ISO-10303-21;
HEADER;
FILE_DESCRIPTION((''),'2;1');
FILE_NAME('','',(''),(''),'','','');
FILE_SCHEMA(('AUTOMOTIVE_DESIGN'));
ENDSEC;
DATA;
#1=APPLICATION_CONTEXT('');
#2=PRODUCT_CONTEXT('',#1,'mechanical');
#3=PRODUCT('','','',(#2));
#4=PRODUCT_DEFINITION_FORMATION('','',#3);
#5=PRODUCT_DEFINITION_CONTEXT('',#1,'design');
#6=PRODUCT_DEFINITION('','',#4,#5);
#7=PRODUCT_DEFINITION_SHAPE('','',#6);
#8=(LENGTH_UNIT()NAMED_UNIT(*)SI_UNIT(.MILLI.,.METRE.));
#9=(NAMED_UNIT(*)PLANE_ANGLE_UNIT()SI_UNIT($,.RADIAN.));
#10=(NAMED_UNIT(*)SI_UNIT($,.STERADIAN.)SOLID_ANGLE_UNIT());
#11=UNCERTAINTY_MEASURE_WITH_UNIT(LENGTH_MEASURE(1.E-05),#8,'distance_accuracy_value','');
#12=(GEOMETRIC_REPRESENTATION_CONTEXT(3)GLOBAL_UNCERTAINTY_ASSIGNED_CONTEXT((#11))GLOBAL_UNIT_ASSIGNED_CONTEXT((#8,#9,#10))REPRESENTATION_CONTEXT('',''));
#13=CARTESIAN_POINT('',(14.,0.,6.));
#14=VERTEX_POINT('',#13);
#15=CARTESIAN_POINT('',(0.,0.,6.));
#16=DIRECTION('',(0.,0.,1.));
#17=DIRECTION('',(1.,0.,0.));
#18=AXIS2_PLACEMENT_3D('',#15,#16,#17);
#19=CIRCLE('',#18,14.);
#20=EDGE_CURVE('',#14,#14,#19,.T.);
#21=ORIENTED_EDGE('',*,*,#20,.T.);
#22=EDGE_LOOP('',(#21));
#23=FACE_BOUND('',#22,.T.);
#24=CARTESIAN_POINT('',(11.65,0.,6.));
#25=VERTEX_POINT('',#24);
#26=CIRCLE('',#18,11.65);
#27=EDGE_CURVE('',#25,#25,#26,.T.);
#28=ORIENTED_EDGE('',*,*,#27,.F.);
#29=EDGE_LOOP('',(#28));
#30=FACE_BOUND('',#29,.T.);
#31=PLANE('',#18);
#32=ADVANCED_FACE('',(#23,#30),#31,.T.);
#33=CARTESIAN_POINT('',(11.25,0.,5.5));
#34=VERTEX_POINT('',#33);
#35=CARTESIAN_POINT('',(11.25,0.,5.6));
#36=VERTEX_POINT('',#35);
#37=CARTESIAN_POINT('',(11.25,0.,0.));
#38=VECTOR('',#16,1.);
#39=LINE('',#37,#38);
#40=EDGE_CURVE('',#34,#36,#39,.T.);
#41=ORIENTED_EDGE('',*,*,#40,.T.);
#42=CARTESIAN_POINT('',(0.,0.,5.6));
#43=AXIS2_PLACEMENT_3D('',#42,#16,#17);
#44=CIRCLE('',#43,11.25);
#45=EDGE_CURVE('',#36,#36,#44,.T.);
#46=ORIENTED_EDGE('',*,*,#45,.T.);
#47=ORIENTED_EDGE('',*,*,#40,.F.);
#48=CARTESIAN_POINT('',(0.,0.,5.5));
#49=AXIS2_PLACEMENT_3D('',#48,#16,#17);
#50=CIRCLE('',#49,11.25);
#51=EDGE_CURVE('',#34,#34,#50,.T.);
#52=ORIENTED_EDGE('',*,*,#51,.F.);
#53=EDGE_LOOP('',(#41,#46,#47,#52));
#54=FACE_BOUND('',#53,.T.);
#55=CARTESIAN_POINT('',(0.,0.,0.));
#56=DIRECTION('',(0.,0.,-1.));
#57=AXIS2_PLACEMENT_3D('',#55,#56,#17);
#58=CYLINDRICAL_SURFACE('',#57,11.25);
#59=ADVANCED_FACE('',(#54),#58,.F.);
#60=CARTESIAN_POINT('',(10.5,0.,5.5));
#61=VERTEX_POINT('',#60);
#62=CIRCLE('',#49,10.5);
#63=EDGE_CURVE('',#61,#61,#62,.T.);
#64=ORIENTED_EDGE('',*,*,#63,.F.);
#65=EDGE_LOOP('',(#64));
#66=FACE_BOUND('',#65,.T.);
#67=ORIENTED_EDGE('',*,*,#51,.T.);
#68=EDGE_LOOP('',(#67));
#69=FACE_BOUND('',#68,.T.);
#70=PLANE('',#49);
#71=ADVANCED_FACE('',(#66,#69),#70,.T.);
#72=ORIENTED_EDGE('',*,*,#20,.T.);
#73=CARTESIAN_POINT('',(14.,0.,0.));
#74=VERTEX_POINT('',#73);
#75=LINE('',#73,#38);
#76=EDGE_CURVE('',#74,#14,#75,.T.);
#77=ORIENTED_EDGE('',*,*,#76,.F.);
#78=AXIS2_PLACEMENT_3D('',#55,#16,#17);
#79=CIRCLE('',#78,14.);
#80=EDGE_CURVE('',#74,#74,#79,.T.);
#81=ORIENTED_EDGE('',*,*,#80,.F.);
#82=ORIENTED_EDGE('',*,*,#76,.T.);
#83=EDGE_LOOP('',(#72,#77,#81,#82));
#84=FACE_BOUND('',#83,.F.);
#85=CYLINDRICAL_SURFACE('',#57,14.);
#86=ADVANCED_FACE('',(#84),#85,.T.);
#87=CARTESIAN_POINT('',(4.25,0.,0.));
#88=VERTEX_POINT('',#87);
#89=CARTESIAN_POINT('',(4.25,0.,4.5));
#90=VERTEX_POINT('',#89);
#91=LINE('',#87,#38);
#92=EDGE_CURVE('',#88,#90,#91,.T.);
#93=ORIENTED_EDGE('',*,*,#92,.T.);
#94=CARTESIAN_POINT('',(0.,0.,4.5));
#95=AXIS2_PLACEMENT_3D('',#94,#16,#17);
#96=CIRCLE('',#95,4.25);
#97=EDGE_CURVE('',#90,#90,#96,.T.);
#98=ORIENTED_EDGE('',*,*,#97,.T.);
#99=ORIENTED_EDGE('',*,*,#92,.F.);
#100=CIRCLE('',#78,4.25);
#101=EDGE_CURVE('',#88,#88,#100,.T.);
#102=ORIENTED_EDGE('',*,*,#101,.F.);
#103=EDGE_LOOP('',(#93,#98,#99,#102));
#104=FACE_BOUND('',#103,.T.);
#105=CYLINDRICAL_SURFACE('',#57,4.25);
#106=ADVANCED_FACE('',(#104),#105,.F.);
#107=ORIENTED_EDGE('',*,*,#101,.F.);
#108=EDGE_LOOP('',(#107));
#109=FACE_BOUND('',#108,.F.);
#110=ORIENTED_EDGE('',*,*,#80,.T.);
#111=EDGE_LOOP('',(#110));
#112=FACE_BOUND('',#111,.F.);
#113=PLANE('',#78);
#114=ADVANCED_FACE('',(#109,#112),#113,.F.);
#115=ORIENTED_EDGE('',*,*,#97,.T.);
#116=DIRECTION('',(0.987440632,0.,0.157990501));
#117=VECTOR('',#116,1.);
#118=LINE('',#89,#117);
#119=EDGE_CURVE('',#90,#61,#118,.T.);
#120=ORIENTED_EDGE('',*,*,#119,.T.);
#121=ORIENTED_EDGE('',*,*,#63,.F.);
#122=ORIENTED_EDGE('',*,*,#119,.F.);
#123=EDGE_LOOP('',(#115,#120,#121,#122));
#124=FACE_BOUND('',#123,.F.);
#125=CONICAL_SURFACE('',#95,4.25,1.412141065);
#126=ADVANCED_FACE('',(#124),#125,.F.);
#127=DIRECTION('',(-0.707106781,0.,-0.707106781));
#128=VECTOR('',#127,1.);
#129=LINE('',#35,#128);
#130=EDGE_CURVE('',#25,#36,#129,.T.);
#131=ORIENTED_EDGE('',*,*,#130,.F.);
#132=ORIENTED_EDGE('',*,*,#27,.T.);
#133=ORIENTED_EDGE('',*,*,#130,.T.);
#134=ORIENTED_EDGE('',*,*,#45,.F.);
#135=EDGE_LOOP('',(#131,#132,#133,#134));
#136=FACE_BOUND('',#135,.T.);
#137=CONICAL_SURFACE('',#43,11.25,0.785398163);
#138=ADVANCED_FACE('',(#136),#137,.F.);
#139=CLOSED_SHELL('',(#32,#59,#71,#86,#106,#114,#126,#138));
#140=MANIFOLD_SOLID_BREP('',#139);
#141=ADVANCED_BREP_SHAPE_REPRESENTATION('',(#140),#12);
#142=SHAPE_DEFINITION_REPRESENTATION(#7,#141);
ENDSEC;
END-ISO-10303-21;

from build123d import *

# Parameters (mm, degrees)
F0_R     = 11.25
F0_R_2   = 4.25
F1_DEPTH = 5.5
F2_SIZE2 = 6.25
F2_SIZE  = 1
F0_R_3   = 14
F3_DEPTH = 6
F4_SIZE  = 0.4


with BuildPart() as f1:
    # F0 (on Top) → F1 (new body)
    with BuildSketch(Plane.XY):
        Circle(F0_R)
        Circle(F0_R_2, mode=Mode.SUBTRACT)
    extrude(amount=F1_DEPTH)

    # F2
    f2_edges = [f1.edges().sort_by_distance(p)[0] for p in [
        (-4.25, 0, 5.5),
    ]]
    chamfer(f2_edges, length=F2_SIZE, length2=F2_SIZE2)

    # F0 (on Top) → F3 (join)
    with BuildSketch(Plane.XY):
        Circle(F0_R_3)
        Circle(F0_R, mode=Mode.SUBTRACT)
    extrude(amount=F3_DEPTH)

    # F4
    f4_edges = [f1.edges().sort_by_distance(p)[0] for p in [
        (-11.25, 0, 6),
    ]]
    chamfer(f4_edges, length=F4_SIZE)


solid = f1.part
